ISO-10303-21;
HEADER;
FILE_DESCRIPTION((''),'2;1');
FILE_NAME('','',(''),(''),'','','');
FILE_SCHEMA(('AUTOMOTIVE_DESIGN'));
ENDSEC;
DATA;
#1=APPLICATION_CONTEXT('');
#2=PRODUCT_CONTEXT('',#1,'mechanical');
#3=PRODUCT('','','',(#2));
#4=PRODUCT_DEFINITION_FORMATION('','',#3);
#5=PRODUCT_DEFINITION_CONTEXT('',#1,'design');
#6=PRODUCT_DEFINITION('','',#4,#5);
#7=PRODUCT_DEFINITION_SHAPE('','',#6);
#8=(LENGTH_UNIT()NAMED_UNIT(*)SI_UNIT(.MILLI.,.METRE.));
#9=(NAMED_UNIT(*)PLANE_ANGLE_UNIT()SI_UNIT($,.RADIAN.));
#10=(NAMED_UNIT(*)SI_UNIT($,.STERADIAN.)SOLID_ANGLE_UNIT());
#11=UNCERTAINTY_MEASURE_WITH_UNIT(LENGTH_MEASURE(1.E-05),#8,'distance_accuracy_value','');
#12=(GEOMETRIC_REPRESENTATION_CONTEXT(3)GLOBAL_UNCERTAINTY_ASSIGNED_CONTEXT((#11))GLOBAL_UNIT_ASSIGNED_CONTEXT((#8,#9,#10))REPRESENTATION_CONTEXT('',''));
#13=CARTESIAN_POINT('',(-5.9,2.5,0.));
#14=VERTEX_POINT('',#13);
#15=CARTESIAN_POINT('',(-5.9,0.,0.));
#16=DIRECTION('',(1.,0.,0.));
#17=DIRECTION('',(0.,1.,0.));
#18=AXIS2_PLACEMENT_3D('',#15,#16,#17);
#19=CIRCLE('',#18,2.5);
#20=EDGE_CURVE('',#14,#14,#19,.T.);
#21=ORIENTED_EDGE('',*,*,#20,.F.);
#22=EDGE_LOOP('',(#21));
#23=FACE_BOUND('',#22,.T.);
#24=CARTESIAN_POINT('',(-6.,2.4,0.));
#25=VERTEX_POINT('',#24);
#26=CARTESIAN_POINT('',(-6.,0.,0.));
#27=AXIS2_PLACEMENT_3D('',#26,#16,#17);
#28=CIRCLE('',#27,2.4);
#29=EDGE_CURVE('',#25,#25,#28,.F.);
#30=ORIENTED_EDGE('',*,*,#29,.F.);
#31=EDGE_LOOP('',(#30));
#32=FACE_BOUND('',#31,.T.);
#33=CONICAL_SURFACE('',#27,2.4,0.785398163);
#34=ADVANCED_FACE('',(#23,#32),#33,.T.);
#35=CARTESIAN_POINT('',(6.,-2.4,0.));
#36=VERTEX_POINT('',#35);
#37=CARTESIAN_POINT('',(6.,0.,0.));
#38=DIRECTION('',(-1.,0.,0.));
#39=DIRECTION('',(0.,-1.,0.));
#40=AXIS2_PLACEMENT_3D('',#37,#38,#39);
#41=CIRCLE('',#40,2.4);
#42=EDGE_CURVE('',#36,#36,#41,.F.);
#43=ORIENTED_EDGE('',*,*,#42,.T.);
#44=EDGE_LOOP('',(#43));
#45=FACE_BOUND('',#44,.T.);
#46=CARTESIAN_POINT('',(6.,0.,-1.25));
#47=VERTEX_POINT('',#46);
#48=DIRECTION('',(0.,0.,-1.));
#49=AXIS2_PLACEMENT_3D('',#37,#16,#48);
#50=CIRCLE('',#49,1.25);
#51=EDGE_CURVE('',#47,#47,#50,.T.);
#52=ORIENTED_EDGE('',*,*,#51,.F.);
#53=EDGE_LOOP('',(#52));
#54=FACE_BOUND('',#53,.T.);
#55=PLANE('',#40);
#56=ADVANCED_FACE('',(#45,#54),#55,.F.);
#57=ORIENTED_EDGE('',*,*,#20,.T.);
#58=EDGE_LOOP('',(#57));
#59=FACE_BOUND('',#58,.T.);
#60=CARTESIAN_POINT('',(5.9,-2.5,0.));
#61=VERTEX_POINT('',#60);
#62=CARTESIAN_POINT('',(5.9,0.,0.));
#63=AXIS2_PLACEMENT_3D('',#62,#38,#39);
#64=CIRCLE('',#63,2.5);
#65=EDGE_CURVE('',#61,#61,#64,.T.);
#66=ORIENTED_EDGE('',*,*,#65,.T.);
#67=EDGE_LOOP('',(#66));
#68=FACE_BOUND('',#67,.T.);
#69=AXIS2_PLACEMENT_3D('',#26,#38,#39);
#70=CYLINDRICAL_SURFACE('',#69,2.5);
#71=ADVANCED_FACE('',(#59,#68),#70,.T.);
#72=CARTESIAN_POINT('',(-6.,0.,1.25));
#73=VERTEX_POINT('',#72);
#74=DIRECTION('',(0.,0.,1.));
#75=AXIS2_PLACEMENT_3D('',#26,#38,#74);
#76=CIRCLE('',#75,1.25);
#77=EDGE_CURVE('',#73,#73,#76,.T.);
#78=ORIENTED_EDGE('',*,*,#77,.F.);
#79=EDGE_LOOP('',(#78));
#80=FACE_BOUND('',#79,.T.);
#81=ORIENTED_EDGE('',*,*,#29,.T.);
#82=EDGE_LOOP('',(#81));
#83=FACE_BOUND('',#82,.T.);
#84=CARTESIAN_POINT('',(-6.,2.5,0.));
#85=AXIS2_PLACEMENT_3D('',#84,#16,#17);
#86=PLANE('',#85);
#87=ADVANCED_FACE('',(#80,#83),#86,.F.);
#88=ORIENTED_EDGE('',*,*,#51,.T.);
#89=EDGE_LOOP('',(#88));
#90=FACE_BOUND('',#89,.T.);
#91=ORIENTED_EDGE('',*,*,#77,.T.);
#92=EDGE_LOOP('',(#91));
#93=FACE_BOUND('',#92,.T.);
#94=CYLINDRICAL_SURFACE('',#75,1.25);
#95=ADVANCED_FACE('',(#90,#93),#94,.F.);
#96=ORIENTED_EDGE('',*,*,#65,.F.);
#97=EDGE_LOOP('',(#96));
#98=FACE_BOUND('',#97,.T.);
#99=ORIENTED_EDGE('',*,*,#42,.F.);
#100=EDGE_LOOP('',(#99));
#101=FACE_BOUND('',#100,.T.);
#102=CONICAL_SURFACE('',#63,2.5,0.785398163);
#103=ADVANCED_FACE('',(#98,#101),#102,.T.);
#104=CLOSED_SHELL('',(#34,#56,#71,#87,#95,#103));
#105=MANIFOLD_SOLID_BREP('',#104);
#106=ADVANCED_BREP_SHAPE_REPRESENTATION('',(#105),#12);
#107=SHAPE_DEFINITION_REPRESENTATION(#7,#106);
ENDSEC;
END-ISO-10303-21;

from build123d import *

# Parameters (mm, degrees)
SKETCH_1_W     = 12
SKETCH_1_H     = 2.5
CHAMFER_1_SIZE = 0.1


with BuildPart() as part:
    # 草图1 → 旋转1 (revolve)
    with BuildSketch(Plane.XY, mode=Mode.PRIVATE) as revolve_1_sk:
        with Locations((0, 1.25)):
            Rectangle(SKETCH_1_W, SKETCH_1_H)
    revolve(revolve_1_sk.sketch.rotate(Axis((-6, 0, 0), (1, 0, 0)), 180), axis=Axis((-6, 0, 0), (1, 0, 0)))

    # 草图3 → Hole Wizard 378 (revolve, cut)
    with BuildSketch(Plane(origin=(-6, 0, 0), x_dir=(0, 0, 1), z_dir=(0, 1, 0))):
        Polygon((0, 0), (0, 10.751075774), (1.25, 10), (1.25, 0), align=None)
    hole_wizard_378 = revolve(axis=Axis((-12.35, 0, 0), (1, 0, 0)), mode=Mode.SUBTRACT)

    # 镜向1: Hole Wizard 378 across plane
    add(hole_wizard_378.mirror(Plane(origin=(0, 0, 0), x_dir=(0, 0, 1), z_dir=(1, 0, 0))), mode=Mode.SUBTRACT)

    # 倒角1
    chamfer_1_edges = [part.edges().sort_by_distance(p)[0] for p in [
        (-6, 2.5, 0),
        (6, 2.5, 0),
    ]]
    chamfer(chamfer_1_edges, length=CHAMFER_1_SIZE)


solid = part.part
